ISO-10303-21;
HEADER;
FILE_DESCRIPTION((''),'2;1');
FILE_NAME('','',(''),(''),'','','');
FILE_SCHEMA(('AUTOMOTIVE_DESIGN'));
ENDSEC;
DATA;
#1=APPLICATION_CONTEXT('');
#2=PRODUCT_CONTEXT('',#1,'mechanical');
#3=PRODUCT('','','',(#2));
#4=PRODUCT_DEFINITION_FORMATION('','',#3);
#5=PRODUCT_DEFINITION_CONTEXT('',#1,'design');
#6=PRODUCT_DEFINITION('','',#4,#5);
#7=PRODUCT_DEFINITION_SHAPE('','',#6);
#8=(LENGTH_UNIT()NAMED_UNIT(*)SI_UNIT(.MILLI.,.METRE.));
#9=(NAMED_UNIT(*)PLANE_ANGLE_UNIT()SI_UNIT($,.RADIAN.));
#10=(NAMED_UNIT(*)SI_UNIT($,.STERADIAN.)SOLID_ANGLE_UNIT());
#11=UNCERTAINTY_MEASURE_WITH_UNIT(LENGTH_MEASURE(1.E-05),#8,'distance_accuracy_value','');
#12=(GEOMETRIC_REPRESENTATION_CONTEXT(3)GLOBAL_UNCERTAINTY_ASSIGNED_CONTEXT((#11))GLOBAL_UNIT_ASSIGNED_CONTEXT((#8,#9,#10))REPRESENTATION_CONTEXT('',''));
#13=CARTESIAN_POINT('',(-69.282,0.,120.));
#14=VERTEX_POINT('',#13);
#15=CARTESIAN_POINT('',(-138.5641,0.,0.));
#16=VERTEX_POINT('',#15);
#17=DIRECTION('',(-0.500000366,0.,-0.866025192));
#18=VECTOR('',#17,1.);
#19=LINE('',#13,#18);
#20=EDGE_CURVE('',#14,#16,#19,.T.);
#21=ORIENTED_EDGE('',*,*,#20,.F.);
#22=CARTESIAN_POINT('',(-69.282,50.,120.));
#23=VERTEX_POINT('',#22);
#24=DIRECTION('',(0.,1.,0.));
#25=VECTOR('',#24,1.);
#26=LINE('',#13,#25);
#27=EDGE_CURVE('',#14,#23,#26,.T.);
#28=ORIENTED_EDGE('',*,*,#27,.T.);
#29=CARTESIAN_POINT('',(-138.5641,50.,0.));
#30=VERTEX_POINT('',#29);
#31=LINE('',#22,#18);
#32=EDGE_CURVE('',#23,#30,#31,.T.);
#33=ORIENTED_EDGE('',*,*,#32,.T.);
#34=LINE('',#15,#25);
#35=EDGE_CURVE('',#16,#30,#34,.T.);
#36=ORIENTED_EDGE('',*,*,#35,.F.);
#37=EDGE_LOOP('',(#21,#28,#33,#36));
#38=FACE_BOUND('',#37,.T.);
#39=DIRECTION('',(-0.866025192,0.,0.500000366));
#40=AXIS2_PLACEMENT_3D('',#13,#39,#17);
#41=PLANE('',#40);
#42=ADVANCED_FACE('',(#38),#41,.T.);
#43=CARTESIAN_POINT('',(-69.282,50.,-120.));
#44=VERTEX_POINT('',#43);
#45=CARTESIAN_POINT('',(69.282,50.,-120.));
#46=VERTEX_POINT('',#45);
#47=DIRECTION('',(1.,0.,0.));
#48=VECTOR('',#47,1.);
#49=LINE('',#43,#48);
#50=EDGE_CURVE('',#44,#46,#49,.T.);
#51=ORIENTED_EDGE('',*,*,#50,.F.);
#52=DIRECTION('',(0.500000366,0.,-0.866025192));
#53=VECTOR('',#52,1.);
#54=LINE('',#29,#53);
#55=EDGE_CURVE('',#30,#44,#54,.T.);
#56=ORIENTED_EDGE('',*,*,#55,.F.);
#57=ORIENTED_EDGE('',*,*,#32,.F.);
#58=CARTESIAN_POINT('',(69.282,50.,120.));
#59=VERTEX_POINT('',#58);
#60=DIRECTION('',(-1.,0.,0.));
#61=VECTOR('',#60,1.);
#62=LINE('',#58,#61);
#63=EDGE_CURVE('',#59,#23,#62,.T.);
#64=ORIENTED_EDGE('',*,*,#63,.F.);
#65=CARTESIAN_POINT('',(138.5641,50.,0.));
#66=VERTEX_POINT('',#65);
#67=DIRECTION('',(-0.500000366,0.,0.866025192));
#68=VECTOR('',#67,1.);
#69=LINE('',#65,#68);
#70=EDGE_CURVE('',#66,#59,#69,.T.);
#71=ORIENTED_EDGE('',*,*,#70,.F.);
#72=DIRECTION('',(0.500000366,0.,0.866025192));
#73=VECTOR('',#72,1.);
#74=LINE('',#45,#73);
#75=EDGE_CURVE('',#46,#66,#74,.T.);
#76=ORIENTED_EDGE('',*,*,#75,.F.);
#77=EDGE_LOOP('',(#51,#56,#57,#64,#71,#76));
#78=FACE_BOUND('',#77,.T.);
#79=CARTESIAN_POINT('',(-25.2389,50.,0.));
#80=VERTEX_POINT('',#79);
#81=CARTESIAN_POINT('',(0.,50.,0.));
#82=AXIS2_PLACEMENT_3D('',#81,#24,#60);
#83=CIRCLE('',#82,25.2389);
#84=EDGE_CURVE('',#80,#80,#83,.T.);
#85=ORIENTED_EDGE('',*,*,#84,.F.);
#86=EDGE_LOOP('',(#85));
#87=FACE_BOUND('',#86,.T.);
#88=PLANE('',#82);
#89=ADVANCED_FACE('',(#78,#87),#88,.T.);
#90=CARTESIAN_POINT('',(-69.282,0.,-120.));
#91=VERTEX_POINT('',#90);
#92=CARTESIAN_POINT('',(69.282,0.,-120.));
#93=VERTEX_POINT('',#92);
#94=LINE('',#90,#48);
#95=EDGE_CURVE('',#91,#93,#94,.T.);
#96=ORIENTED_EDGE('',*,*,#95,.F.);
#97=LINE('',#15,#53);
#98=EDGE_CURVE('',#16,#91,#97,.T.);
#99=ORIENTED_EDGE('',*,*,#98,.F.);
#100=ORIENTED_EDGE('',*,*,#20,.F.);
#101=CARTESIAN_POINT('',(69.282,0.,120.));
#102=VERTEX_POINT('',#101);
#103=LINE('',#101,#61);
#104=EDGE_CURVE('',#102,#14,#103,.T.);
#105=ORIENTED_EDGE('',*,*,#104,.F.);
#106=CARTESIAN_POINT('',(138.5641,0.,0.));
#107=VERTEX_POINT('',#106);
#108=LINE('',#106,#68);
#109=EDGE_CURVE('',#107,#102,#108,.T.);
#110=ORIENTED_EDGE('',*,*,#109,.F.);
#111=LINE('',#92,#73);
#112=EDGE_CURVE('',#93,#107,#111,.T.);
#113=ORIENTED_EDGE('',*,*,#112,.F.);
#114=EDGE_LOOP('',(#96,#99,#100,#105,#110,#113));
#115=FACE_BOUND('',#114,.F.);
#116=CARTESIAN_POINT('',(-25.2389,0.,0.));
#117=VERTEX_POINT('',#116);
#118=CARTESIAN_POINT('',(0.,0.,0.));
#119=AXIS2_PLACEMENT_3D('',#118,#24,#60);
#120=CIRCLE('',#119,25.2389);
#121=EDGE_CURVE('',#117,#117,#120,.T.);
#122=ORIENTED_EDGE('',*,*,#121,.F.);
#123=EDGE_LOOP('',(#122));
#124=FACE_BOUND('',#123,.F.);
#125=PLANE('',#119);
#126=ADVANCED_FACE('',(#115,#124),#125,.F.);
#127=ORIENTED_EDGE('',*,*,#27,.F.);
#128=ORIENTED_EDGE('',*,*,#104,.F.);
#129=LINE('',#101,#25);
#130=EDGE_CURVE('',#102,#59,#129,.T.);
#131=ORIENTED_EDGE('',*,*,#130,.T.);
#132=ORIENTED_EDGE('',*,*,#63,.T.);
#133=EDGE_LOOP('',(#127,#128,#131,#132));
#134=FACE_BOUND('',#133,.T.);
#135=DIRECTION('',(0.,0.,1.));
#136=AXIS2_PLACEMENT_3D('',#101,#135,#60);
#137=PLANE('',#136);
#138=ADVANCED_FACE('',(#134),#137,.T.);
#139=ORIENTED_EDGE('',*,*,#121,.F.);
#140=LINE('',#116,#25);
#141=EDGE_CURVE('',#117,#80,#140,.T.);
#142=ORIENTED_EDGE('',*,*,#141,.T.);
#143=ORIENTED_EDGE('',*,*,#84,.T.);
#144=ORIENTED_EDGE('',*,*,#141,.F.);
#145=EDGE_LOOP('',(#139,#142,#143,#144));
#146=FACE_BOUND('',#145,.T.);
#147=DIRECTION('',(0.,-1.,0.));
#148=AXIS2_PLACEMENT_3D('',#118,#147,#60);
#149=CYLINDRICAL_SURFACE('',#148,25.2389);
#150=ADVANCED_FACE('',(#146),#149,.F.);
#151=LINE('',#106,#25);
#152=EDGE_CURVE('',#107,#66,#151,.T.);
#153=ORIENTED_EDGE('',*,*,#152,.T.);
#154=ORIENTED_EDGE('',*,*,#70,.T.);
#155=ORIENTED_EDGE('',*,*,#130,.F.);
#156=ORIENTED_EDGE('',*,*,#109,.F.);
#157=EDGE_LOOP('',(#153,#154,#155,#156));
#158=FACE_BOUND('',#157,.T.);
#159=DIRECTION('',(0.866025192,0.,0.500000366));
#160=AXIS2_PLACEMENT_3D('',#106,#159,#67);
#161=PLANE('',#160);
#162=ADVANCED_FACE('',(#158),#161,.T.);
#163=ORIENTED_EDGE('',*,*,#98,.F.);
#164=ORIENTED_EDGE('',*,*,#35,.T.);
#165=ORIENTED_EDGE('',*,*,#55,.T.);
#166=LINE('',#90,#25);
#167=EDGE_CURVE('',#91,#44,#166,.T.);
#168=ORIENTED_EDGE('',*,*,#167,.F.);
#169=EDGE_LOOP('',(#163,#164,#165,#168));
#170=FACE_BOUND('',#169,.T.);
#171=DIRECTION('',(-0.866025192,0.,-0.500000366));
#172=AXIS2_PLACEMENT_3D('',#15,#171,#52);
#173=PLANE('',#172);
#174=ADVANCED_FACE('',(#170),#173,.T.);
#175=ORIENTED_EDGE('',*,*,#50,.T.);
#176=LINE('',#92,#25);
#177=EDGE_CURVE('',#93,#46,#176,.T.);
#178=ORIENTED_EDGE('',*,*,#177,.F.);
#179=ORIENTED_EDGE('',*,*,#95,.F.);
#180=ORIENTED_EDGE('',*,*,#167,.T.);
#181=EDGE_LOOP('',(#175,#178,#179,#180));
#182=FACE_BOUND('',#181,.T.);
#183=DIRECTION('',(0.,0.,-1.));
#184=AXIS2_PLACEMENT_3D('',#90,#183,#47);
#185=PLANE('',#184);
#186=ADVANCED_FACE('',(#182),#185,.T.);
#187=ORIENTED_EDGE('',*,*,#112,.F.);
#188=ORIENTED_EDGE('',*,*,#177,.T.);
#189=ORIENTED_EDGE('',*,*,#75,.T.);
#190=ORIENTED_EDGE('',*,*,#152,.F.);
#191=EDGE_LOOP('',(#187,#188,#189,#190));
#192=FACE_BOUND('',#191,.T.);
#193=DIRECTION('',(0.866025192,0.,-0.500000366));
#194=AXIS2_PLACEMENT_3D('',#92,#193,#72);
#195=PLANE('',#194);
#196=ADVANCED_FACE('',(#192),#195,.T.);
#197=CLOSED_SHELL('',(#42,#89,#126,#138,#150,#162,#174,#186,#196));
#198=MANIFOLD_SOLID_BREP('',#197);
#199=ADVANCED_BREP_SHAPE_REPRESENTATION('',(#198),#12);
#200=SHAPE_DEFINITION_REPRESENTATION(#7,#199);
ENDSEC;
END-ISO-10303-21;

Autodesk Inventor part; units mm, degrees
ref_plane "YZ Plane" through (0, 0, 0) normal (1, 0, 0) x (0, 1, 0)
ref_plane "XZ Plane" through (0, 0, 0) normal (0, 1, 0) x (-1, 0, 0)
ref_plane "XY Plane" through (0, 0, 0) normal (0, 0, 1) x (1, 0, 0)
sketch "Sketch1" plane through (0, 0, 0) normal (0, 1, 0) x (-1, 0, 0)
  line L0 (-138.5641, 0) -> (-69.282, 120)
  line L1 (-69.282, 120) -> (69.282, 120)
  line L2 (69.282, 120) -> (138.5641, 0)
  line L3 (138.5641, 0) -> (69.282, -120)
  line L4 (69.282, -120) -> (-69.282, -120)
  line L5 (-69.282, -120) -> (-138.5641, 0)
  circle A0 centre (0, 0) radius 25.2389
  dimension "d0" = 120
extrude "Extrusion1" add sketch "Sketch1" along normal blind 50
properties part number "InstruumentarBaraban"
